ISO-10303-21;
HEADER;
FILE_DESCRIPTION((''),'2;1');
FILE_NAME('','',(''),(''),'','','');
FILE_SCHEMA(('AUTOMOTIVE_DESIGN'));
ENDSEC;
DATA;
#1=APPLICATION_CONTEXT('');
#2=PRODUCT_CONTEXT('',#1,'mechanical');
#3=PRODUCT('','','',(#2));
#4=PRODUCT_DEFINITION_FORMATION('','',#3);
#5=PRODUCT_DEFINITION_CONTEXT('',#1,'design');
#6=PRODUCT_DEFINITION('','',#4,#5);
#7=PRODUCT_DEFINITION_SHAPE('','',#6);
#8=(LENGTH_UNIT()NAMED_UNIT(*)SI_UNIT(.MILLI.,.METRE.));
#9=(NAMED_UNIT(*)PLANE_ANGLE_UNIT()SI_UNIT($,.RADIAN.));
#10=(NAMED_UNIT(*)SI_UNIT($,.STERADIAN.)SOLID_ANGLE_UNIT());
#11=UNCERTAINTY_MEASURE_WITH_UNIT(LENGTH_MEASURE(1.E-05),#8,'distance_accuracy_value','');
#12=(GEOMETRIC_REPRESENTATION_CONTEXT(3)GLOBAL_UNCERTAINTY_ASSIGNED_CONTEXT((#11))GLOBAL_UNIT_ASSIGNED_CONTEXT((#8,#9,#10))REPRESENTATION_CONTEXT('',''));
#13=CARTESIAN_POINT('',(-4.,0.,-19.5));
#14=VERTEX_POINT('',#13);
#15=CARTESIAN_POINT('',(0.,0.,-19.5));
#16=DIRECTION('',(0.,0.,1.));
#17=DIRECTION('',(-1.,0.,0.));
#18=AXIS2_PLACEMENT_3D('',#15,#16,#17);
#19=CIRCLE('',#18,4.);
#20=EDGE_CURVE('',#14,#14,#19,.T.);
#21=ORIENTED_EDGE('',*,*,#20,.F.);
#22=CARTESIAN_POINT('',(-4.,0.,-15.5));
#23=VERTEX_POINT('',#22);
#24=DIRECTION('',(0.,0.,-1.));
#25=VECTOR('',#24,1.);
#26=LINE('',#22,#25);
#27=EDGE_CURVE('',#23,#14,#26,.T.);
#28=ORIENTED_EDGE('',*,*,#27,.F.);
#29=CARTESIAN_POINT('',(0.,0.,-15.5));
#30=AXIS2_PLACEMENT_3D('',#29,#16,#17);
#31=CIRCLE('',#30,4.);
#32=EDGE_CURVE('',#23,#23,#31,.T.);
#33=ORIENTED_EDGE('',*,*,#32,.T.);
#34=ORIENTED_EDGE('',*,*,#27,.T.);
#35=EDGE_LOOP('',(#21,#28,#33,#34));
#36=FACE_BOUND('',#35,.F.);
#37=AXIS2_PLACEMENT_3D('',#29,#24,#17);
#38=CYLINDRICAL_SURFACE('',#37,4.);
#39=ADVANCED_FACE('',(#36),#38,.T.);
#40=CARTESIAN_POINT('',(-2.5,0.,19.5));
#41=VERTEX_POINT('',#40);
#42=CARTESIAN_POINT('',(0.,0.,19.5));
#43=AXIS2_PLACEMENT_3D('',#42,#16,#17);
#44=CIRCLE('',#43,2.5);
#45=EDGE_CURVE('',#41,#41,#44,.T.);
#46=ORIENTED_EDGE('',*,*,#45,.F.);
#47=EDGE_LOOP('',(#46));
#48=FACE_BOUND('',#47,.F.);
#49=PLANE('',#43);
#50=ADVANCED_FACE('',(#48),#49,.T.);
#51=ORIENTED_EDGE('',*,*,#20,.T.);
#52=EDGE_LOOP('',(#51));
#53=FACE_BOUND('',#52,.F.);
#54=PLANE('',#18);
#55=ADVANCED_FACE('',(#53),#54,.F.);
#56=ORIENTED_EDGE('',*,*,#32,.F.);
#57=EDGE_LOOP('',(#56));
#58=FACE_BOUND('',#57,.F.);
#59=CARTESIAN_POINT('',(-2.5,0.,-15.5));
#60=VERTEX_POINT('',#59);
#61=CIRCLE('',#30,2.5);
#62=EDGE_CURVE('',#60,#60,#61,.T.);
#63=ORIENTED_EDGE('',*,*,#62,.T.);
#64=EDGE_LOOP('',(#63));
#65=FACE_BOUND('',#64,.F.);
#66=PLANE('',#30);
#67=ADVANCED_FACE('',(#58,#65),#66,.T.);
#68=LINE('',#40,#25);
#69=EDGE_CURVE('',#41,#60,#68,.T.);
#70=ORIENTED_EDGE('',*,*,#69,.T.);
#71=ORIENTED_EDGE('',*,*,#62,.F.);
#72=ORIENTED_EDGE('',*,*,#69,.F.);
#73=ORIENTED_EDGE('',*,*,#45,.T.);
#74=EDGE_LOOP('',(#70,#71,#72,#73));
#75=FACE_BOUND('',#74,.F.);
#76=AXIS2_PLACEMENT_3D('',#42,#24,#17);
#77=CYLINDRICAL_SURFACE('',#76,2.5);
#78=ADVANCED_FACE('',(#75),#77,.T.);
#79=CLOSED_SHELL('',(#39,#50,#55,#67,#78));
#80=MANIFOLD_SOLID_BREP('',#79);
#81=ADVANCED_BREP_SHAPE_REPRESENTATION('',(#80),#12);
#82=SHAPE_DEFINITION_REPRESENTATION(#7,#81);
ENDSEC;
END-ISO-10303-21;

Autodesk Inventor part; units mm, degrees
ref_plane "YZ Plane" through (0, 0, 0) normal (1, 0, 0) x (0, 1, 0)
ref_plane "XZ Plane" through (0, 0, 0) normal (0, 1, 0) x (-1, 0, 0)
ref_plane "XY Plane" through (0, 0, 0) normal (0, 0, 1) x (1, 0, 0)
sketch "Sketch1" plane through (0, 0, 0) normal (0, 1, 0) x (-1, 0, 0)
  line L0 (0, 19.5) -> (2.5, 19.5)
  line L1 (2.5, 19.5) -> (2.5, -15.5)
  line L2 (2.5, -15.5) -> (4, -15.5)
  line L3 (4, -15.5) -> (4, -19.5)
  line L4 (4, -19.5) -> (0, -19.5)
  line L5 (0, -19.5) -> (0, 19.5)
  point P0 (0, 0)
  point P1 (0, 0)
  dimension "d0" = 2.5
  dimension "d1" = 35
  dimension "d2" = 4
  dimension "d3" = 4
revolve "Revolution1" add sketch "Sketch1" angle 360 about axis through (0, 0, -19.5) along (0, 0, 1)
thread "Thread1" size "M5x0.8" class "6g" standard "ANSI Metric M Profile" full length
properties part number "M5x30mm"
